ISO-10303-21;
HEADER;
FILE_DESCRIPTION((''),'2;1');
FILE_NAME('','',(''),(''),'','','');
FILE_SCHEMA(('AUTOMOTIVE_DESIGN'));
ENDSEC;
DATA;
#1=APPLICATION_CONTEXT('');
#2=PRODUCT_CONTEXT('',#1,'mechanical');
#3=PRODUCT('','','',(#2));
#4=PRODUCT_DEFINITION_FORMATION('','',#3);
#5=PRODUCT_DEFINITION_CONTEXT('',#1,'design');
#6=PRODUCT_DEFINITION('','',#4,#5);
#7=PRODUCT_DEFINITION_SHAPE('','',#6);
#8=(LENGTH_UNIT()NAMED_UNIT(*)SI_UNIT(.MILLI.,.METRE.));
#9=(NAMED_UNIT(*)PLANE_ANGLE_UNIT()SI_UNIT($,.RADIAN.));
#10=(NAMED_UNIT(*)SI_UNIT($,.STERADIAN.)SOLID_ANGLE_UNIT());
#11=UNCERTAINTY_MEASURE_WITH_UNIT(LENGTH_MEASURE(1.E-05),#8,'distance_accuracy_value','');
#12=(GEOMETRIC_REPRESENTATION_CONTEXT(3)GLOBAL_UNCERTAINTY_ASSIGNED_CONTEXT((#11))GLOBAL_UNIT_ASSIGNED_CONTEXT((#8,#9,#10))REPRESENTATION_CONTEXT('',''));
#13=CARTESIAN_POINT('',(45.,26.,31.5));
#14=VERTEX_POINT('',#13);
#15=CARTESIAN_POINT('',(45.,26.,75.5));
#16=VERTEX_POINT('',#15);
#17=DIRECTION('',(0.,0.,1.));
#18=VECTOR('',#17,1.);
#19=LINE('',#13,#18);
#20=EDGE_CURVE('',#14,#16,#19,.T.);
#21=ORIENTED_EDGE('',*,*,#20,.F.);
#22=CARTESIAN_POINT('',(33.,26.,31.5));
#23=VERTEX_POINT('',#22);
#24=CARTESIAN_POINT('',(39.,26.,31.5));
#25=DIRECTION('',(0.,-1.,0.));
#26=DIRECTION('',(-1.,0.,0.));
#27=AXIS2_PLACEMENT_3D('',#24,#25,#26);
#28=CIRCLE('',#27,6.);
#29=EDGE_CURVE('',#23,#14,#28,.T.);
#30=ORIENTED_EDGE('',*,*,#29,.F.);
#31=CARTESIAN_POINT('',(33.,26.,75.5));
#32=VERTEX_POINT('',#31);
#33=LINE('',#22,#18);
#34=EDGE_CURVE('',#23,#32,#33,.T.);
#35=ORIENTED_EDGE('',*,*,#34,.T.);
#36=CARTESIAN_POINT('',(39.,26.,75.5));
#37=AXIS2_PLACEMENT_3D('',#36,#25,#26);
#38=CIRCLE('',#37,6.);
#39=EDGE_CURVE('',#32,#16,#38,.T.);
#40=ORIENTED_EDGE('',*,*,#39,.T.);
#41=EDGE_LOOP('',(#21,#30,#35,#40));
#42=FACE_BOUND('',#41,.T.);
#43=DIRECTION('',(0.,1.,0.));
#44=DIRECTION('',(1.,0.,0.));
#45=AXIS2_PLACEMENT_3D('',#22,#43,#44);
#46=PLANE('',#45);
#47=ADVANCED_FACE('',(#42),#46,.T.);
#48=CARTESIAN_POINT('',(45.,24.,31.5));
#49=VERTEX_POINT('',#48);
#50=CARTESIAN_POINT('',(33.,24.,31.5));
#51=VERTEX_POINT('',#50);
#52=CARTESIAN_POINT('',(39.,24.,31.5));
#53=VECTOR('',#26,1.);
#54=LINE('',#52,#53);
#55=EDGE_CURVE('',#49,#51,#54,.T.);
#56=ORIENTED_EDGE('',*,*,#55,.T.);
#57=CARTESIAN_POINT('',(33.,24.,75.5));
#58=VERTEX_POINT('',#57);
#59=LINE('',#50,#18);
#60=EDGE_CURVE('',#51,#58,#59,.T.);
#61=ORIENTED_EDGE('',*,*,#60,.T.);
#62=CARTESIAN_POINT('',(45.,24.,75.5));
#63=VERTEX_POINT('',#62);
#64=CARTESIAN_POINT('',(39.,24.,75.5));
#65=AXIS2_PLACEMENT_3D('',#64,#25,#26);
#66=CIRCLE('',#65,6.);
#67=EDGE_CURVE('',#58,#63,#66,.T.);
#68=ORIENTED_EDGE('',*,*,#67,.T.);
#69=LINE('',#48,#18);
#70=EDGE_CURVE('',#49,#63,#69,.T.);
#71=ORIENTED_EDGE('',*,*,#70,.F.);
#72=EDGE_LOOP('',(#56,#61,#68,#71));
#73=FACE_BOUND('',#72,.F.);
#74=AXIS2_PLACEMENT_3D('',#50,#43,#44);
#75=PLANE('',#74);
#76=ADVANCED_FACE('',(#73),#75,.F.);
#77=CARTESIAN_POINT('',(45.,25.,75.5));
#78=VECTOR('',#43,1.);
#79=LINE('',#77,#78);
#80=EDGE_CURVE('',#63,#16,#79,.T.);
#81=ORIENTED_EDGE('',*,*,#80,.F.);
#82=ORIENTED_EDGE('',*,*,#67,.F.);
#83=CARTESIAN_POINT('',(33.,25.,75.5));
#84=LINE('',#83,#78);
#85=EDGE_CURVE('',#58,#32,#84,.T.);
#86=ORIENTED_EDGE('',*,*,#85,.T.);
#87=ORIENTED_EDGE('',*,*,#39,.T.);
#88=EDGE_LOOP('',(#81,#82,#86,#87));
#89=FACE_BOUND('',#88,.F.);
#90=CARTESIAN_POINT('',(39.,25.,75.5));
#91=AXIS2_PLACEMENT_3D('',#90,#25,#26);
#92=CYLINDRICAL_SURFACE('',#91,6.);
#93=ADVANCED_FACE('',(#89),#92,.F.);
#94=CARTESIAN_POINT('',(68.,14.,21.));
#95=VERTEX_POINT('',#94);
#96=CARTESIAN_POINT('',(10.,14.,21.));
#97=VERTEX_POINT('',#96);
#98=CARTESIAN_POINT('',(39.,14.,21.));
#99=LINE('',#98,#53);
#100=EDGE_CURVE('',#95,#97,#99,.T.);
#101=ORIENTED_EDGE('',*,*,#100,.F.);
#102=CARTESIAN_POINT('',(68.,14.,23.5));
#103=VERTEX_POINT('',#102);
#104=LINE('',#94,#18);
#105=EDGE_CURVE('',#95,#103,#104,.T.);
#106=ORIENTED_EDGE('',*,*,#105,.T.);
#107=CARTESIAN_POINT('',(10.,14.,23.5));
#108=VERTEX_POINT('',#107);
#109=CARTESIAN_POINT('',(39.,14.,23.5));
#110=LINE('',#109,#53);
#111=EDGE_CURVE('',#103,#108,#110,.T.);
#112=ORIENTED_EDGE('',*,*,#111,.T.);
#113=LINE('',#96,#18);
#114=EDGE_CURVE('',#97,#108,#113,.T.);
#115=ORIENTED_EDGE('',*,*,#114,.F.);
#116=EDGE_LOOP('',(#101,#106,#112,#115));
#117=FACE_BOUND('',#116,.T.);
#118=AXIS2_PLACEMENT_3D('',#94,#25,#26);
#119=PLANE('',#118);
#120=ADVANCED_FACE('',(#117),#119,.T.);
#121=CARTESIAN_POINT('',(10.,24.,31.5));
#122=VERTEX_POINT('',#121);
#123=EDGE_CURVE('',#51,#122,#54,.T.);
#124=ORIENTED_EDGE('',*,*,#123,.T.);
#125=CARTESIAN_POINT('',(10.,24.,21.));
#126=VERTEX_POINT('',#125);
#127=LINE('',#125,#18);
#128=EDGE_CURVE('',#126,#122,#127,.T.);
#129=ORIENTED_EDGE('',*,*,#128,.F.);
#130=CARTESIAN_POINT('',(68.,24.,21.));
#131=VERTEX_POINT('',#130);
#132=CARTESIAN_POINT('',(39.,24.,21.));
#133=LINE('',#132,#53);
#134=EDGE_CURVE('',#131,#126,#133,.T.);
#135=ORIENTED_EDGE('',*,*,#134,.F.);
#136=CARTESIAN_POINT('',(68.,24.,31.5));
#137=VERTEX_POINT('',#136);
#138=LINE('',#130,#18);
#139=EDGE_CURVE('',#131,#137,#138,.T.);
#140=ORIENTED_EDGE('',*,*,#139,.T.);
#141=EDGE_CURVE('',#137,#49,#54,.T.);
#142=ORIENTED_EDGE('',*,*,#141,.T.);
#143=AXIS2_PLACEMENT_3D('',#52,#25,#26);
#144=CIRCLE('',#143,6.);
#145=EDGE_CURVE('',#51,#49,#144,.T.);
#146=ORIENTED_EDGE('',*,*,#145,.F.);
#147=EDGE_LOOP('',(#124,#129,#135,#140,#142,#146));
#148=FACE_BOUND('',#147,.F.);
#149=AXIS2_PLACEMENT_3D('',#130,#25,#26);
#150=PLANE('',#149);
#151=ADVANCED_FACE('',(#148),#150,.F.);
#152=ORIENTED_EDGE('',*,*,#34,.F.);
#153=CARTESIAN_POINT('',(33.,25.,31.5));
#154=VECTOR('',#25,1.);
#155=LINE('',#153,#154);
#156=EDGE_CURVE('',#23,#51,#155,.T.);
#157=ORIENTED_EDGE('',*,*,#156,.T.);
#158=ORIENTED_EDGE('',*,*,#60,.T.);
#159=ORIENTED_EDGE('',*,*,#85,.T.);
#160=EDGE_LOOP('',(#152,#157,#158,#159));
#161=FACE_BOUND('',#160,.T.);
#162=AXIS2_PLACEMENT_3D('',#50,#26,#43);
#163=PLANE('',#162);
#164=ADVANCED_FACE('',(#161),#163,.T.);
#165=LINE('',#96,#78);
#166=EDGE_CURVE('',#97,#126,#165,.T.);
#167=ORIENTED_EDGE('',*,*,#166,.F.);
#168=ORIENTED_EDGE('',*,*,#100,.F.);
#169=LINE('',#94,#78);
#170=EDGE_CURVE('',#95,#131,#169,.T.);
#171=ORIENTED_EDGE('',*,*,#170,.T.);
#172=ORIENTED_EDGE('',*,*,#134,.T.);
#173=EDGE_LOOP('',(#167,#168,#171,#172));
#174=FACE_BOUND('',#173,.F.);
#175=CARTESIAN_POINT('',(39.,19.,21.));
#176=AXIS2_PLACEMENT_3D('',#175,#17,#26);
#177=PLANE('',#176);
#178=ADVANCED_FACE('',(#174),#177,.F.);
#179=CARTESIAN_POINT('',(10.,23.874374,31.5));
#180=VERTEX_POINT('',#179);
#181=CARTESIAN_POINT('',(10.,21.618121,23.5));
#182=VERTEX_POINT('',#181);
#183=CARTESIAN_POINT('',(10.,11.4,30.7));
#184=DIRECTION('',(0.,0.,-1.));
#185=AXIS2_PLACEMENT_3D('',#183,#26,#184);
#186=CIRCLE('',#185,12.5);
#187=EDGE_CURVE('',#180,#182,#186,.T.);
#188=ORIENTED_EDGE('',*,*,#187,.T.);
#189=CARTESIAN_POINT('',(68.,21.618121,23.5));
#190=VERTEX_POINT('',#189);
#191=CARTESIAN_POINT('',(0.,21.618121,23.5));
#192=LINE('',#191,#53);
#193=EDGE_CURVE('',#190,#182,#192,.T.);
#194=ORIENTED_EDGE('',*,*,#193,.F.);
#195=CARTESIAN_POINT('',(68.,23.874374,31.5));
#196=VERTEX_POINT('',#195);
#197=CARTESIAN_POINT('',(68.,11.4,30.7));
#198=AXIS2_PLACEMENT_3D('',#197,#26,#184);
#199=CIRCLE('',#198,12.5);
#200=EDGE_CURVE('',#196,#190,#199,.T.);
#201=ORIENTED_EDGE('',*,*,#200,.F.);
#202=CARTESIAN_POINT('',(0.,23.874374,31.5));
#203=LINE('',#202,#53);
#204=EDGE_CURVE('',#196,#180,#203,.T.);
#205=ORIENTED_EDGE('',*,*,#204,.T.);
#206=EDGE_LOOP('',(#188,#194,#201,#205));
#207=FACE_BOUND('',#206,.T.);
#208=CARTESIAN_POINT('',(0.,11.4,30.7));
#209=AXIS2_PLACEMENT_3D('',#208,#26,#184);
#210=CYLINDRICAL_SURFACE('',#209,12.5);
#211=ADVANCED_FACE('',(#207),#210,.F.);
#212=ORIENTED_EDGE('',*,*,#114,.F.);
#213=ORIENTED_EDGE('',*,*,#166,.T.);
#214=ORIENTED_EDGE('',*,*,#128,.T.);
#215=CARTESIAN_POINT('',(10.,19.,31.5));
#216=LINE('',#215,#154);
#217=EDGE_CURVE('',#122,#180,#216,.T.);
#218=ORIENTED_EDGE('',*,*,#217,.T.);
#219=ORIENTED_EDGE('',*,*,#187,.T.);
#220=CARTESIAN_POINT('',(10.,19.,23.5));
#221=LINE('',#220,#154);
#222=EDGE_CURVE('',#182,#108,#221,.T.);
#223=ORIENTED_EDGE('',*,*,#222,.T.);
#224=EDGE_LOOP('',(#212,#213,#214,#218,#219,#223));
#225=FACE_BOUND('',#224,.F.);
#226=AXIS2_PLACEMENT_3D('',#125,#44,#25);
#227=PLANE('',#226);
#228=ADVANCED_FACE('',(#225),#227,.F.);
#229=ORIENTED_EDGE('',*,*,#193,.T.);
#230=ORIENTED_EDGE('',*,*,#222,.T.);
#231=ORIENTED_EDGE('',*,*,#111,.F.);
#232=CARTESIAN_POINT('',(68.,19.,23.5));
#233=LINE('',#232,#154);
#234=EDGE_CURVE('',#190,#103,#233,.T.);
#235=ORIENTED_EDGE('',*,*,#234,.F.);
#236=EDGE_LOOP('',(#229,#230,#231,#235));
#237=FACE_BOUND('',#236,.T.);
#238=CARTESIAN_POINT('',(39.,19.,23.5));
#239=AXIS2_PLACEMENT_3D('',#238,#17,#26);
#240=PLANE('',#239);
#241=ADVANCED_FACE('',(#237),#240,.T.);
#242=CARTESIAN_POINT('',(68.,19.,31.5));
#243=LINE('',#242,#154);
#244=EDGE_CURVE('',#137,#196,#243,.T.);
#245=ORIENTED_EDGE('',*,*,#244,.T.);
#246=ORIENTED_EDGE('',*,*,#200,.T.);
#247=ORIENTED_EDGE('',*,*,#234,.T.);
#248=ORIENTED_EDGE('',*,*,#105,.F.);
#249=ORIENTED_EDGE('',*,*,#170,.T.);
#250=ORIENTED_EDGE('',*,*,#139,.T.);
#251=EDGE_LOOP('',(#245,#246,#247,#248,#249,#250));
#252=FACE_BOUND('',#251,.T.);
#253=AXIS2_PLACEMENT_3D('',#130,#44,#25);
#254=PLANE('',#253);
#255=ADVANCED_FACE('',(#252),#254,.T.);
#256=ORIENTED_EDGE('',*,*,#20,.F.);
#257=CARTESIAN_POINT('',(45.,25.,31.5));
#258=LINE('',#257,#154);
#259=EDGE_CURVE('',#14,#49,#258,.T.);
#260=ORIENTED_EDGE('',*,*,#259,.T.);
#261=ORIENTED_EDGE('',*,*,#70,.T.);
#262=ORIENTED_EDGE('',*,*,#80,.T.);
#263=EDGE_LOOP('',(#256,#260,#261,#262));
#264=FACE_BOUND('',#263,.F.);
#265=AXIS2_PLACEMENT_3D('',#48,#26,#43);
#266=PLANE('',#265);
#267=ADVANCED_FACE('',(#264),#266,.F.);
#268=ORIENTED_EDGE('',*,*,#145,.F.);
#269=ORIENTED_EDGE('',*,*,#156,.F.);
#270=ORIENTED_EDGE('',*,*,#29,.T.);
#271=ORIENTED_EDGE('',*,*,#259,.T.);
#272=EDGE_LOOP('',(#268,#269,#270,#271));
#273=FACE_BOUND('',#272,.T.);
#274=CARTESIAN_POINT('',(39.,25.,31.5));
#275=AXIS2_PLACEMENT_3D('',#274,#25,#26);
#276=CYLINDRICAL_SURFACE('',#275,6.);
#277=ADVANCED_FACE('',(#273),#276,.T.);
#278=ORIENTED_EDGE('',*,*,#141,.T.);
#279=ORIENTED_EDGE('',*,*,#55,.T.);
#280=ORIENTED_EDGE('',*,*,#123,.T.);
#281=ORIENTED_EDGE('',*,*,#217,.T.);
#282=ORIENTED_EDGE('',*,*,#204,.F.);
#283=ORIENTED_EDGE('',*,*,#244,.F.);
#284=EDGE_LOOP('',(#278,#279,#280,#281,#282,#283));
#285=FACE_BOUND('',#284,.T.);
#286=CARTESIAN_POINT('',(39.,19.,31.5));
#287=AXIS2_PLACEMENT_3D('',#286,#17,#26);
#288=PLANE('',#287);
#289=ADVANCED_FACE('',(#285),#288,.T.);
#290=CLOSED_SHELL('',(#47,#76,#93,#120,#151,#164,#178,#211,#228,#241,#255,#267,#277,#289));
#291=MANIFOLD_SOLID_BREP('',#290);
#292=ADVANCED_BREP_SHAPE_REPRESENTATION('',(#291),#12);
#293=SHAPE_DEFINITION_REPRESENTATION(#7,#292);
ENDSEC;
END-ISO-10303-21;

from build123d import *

# Parameters (mm, degrees)
BOX070_W          = 58
BOX070_H          = 10
BOX070_DEPTH      = 2.5
CYLINDER109_R     = 12.5
CYLINDER109_DEPTH = 78
BOX071_W          = 58
BOX071_H          = 10
BOX071_DEPTH      = 10.5
CYLINDER107_W     = 6
CYLINDER107_H     = 2
CYLINDER107_ANGLE = 180
BOX069_W          = 12
BOX069_H          = 2
BOX069_DEPTH      = 44
CYLINDER108_W     = 6
CYLINDER108_H     = 2
CYLINDER108_ANGLE = 180


with BuildPart() as cube059:
    # Box070 → Box070 (new body)
    with BuildSketch(Plane(origin=(68, 24, 21), x_dir=(-1, 0, 0), z_dir=(0, 0, 1))):
        with Locations((29, 5)):
            Rectangle(BOX070_W, BOX070_H)
    extrude(amount=BOX070_DEPTH)


with BuildPart() as cylinder109:
    # Cylinder109 → Cylinder109 (new body)
    with BuildSketch(Plane(origin=(0, 11.4, 30.7), x_dir=(0, 0, -1), z_dir=(1, 0, 0))):
        Circle(CYLINDER109_R)
    extrude(amount=CYLINDER109_DEPTH)


with BuildPart() as fusion042:
    # Box071 → Box071 (new body)
    with BuildSketch(Plane(origin=(68, 24, 21), x_dir=(-1, 0, 0), z_dir=(0, 0, 1))):
        with Locations((29, 5)):
            Rectangle(BOX071_W, BOX071_H)
    extrude(amount=BOX071_DEPTH)

    # Cut056: cut Cylinder109
    add(cylinder109.part, mode=Mode.SUBTRACT)

    # Fusion042: union Cube059
    add(cube059.part)


with BuildPart() as cylinder107:
    # Cylinder107 → Cylinder107 (revolve)
    with BuildSketch(Plane(origin=(39, 26, 75.5), x_dir=(-1, 0, 0), z_dir=(0, 0, 1))):
        with Locations((3, 1)):
            Rectangle(CYLINDER107_W, CYLINDER107_H)
    revolve(axis=Axis((39, 26, 75.5), (0, -1, 0)), revolution_arc=CYLINDER107_ANGLE)


with BuildPart() as cut055:
    # Box069 → Box069 (new body)
    with BuildSketch(Plane(origin=(33, 24, 31.5), x_dir=(1, 0, 0), z_dir=(0, 0, 1))):
        with Locations((6, 1)):
            Rectangle(BOX069_W, BOX069_H)
    extrude(amount=BOX069_DEPTH)

    # Cut055: cut Cylinder107
    add(cylinder107.part, mode=Mode.SUBTRACT)


with BuildPart() as batteryhold001:
    # Cylinder108 → Cylinder108 (revolve)
    with BuildSketch(Plane(origin=(39, 26, 31.5), x_dir=(-1, 0, 0), z_dir=(0, 0, 1))):
        with Locations((3, 1)):
            Rectangle(CYLINDER108_W, CYLINDER108_H)
    revolve(axis=Axis((39, 26, 31.5), (0, -1, 0)), revolution_arc=CYLINDER108_ANGLE)

    # Fusion041: union Cut055
    add(cut055.part)

    # Fusion043: union Fusion042
    add(fusion042.part)


solid = batteryhold001.part
